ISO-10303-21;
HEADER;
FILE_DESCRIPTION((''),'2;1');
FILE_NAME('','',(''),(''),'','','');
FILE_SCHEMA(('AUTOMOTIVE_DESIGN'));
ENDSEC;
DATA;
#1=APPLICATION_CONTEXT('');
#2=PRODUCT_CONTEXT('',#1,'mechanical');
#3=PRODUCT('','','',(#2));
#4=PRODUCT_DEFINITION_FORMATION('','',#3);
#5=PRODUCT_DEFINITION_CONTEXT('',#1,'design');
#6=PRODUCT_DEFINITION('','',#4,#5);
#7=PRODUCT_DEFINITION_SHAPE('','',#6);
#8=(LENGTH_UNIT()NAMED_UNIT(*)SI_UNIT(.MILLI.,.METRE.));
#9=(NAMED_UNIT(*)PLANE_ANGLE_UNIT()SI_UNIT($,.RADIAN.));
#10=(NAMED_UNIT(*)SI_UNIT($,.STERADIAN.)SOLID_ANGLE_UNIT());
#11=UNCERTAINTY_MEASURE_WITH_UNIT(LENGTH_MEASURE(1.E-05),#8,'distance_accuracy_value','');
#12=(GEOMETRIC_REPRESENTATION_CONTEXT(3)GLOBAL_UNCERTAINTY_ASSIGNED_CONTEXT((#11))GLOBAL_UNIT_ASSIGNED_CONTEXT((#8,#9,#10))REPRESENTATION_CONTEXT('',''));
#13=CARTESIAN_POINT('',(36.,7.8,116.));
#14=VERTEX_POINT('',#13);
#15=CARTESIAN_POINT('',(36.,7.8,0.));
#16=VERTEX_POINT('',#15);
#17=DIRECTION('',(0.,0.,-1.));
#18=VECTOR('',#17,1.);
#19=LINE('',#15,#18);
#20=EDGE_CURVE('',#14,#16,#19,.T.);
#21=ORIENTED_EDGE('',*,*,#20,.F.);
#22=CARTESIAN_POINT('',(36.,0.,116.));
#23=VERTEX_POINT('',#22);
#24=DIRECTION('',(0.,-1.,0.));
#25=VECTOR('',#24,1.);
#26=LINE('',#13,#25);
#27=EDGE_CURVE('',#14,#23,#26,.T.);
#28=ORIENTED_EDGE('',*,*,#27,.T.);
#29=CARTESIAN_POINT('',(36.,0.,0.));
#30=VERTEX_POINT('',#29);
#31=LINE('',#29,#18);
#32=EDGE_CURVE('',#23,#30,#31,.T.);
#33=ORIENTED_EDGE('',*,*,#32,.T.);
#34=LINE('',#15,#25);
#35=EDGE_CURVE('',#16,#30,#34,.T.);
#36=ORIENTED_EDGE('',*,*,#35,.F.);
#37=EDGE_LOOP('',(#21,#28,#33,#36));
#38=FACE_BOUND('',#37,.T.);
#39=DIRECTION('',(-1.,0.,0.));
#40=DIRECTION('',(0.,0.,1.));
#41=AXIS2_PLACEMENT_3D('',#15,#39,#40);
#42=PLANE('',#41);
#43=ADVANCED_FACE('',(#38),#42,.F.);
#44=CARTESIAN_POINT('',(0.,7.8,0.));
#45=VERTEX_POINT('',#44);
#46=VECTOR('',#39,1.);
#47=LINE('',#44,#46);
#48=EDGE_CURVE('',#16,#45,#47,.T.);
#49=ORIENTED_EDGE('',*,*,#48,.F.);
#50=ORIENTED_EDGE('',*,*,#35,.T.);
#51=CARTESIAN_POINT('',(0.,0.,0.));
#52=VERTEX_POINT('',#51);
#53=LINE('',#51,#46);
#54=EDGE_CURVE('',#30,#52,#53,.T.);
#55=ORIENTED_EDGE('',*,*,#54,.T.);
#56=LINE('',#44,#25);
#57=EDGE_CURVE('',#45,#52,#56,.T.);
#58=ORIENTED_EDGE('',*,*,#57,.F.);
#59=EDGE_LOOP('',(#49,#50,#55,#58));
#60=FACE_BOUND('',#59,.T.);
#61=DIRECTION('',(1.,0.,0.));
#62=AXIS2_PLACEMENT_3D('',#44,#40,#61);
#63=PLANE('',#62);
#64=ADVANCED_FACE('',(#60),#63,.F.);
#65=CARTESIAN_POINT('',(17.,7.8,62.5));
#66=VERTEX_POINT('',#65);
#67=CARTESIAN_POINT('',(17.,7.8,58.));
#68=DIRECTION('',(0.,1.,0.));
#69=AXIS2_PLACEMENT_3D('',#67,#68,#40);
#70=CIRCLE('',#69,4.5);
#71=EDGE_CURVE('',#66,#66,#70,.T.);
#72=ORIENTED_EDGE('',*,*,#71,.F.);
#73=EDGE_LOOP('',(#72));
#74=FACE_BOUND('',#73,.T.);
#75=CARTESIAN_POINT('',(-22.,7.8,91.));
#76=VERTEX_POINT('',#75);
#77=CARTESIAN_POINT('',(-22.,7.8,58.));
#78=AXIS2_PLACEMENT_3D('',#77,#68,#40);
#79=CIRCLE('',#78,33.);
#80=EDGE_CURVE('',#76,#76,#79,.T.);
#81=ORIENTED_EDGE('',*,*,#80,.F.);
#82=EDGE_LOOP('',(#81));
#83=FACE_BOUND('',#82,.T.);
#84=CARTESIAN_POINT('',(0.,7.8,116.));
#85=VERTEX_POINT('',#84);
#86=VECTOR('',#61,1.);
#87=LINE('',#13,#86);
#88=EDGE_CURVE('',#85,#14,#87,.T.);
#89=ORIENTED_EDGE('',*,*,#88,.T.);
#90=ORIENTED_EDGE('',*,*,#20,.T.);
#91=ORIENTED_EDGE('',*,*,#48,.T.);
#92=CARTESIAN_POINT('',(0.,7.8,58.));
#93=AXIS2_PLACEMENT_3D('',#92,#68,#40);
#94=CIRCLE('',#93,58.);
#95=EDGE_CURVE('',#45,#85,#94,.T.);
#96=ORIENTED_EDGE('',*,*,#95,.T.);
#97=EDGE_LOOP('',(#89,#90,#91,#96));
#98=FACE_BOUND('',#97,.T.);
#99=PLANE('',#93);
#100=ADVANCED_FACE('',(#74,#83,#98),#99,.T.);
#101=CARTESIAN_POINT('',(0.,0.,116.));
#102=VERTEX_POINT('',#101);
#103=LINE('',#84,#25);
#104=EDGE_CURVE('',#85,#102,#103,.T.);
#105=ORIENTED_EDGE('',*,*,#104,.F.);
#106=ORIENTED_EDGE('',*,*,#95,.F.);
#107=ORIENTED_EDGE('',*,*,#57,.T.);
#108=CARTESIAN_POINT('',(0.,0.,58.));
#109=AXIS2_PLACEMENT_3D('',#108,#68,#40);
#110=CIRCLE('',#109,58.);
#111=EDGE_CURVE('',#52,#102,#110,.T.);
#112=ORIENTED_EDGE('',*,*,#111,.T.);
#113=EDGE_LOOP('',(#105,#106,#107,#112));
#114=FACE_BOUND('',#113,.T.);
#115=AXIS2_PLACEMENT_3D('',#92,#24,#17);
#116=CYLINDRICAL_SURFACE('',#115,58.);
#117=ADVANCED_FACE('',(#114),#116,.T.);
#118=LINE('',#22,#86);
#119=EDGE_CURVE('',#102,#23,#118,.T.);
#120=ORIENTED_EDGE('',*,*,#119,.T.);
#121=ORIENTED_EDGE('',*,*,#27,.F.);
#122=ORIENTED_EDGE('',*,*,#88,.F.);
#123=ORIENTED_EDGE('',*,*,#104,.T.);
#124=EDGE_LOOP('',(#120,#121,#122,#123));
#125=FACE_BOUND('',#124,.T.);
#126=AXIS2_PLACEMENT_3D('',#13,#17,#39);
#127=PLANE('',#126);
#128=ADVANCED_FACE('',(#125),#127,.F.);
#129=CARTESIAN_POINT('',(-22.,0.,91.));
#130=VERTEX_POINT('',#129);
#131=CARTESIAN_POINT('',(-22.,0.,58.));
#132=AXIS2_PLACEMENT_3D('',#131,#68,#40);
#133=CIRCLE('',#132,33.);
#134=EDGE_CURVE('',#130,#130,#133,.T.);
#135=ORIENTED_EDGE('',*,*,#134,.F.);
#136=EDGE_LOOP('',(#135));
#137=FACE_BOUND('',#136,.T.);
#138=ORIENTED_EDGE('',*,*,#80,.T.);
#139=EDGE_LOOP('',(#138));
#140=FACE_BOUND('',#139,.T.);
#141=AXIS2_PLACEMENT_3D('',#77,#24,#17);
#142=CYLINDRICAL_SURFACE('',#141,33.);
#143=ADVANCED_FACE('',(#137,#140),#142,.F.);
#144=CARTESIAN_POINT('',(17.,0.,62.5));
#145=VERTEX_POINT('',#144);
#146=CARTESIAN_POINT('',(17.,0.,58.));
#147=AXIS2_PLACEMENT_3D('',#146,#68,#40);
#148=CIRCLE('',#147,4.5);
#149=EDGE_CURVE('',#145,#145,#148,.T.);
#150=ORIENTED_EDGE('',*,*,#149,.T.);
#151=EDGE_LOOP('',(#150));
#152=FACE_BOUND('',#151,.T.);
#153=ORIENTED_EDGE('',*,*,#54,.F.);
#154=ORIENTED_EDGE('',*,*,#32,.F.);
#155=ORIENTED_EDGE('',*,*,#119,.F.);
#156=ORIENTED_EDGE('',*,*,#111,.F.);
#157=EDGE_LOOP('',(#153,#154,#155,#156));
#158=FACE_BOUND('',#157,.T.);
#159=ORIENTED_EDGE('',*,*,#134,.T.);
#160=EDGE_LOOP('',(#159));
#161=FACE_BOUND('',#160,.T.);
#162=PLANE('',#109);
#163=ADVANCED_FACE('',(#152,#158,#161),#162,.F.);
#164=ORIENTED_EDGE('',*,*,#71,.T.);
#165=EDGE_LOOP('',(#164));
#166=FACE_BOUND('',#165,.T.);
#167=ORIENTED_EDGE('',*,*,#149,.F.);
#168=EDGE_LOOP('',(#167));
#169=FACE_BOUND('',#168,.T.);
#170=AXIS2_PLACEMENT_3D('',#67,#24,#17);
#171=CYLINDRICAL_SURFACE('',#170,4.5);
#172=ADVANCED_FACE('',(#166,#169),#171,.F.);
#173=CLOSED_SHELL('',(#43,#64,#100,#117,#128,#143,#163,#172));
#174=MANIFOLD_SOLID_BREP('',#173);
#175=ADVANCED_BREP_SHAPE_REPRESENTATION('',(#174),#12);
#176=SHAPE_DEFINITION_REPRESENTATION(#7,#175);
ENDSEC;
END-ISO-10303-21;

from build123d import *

# Parameters (mm, degrees)
SKETCH1_R           = 33
SKETCH1_R_2         = 4.5
BOSS_EXTRUDE1_DEPTH = 7.8


with BuildPart() as part:
    # Sketch1 → Boss-Extrude1 (new body)
    with BuildSketch(Plane(origin=(0, 0, 0), x_dir=(1, 0, 0), z_dir=(0, 1, 0))):
        with BuildLine():
            Line((0, 0), (36, 0))
            Line((36, 0), (36, -116))
            Line((36, -116), (0, -116))
            ThreePointArc((0, -116), (-58, -58), (0, 0))
        make_face()
        with Locations(Location((-22, -58, 0), (0, 0, 270))):
            Circle(SKETCH1_R, mode=Mode.SUBTRACT)
        with Locations(Location((17, -58, 0), (0, 0, 270))):
            Circle(SKETCH1_R_2, mode=Mode.SUBTRACT)
    extrude(amount=BOSS_EXTRUDE1_DEPTH)


solid = part.part
